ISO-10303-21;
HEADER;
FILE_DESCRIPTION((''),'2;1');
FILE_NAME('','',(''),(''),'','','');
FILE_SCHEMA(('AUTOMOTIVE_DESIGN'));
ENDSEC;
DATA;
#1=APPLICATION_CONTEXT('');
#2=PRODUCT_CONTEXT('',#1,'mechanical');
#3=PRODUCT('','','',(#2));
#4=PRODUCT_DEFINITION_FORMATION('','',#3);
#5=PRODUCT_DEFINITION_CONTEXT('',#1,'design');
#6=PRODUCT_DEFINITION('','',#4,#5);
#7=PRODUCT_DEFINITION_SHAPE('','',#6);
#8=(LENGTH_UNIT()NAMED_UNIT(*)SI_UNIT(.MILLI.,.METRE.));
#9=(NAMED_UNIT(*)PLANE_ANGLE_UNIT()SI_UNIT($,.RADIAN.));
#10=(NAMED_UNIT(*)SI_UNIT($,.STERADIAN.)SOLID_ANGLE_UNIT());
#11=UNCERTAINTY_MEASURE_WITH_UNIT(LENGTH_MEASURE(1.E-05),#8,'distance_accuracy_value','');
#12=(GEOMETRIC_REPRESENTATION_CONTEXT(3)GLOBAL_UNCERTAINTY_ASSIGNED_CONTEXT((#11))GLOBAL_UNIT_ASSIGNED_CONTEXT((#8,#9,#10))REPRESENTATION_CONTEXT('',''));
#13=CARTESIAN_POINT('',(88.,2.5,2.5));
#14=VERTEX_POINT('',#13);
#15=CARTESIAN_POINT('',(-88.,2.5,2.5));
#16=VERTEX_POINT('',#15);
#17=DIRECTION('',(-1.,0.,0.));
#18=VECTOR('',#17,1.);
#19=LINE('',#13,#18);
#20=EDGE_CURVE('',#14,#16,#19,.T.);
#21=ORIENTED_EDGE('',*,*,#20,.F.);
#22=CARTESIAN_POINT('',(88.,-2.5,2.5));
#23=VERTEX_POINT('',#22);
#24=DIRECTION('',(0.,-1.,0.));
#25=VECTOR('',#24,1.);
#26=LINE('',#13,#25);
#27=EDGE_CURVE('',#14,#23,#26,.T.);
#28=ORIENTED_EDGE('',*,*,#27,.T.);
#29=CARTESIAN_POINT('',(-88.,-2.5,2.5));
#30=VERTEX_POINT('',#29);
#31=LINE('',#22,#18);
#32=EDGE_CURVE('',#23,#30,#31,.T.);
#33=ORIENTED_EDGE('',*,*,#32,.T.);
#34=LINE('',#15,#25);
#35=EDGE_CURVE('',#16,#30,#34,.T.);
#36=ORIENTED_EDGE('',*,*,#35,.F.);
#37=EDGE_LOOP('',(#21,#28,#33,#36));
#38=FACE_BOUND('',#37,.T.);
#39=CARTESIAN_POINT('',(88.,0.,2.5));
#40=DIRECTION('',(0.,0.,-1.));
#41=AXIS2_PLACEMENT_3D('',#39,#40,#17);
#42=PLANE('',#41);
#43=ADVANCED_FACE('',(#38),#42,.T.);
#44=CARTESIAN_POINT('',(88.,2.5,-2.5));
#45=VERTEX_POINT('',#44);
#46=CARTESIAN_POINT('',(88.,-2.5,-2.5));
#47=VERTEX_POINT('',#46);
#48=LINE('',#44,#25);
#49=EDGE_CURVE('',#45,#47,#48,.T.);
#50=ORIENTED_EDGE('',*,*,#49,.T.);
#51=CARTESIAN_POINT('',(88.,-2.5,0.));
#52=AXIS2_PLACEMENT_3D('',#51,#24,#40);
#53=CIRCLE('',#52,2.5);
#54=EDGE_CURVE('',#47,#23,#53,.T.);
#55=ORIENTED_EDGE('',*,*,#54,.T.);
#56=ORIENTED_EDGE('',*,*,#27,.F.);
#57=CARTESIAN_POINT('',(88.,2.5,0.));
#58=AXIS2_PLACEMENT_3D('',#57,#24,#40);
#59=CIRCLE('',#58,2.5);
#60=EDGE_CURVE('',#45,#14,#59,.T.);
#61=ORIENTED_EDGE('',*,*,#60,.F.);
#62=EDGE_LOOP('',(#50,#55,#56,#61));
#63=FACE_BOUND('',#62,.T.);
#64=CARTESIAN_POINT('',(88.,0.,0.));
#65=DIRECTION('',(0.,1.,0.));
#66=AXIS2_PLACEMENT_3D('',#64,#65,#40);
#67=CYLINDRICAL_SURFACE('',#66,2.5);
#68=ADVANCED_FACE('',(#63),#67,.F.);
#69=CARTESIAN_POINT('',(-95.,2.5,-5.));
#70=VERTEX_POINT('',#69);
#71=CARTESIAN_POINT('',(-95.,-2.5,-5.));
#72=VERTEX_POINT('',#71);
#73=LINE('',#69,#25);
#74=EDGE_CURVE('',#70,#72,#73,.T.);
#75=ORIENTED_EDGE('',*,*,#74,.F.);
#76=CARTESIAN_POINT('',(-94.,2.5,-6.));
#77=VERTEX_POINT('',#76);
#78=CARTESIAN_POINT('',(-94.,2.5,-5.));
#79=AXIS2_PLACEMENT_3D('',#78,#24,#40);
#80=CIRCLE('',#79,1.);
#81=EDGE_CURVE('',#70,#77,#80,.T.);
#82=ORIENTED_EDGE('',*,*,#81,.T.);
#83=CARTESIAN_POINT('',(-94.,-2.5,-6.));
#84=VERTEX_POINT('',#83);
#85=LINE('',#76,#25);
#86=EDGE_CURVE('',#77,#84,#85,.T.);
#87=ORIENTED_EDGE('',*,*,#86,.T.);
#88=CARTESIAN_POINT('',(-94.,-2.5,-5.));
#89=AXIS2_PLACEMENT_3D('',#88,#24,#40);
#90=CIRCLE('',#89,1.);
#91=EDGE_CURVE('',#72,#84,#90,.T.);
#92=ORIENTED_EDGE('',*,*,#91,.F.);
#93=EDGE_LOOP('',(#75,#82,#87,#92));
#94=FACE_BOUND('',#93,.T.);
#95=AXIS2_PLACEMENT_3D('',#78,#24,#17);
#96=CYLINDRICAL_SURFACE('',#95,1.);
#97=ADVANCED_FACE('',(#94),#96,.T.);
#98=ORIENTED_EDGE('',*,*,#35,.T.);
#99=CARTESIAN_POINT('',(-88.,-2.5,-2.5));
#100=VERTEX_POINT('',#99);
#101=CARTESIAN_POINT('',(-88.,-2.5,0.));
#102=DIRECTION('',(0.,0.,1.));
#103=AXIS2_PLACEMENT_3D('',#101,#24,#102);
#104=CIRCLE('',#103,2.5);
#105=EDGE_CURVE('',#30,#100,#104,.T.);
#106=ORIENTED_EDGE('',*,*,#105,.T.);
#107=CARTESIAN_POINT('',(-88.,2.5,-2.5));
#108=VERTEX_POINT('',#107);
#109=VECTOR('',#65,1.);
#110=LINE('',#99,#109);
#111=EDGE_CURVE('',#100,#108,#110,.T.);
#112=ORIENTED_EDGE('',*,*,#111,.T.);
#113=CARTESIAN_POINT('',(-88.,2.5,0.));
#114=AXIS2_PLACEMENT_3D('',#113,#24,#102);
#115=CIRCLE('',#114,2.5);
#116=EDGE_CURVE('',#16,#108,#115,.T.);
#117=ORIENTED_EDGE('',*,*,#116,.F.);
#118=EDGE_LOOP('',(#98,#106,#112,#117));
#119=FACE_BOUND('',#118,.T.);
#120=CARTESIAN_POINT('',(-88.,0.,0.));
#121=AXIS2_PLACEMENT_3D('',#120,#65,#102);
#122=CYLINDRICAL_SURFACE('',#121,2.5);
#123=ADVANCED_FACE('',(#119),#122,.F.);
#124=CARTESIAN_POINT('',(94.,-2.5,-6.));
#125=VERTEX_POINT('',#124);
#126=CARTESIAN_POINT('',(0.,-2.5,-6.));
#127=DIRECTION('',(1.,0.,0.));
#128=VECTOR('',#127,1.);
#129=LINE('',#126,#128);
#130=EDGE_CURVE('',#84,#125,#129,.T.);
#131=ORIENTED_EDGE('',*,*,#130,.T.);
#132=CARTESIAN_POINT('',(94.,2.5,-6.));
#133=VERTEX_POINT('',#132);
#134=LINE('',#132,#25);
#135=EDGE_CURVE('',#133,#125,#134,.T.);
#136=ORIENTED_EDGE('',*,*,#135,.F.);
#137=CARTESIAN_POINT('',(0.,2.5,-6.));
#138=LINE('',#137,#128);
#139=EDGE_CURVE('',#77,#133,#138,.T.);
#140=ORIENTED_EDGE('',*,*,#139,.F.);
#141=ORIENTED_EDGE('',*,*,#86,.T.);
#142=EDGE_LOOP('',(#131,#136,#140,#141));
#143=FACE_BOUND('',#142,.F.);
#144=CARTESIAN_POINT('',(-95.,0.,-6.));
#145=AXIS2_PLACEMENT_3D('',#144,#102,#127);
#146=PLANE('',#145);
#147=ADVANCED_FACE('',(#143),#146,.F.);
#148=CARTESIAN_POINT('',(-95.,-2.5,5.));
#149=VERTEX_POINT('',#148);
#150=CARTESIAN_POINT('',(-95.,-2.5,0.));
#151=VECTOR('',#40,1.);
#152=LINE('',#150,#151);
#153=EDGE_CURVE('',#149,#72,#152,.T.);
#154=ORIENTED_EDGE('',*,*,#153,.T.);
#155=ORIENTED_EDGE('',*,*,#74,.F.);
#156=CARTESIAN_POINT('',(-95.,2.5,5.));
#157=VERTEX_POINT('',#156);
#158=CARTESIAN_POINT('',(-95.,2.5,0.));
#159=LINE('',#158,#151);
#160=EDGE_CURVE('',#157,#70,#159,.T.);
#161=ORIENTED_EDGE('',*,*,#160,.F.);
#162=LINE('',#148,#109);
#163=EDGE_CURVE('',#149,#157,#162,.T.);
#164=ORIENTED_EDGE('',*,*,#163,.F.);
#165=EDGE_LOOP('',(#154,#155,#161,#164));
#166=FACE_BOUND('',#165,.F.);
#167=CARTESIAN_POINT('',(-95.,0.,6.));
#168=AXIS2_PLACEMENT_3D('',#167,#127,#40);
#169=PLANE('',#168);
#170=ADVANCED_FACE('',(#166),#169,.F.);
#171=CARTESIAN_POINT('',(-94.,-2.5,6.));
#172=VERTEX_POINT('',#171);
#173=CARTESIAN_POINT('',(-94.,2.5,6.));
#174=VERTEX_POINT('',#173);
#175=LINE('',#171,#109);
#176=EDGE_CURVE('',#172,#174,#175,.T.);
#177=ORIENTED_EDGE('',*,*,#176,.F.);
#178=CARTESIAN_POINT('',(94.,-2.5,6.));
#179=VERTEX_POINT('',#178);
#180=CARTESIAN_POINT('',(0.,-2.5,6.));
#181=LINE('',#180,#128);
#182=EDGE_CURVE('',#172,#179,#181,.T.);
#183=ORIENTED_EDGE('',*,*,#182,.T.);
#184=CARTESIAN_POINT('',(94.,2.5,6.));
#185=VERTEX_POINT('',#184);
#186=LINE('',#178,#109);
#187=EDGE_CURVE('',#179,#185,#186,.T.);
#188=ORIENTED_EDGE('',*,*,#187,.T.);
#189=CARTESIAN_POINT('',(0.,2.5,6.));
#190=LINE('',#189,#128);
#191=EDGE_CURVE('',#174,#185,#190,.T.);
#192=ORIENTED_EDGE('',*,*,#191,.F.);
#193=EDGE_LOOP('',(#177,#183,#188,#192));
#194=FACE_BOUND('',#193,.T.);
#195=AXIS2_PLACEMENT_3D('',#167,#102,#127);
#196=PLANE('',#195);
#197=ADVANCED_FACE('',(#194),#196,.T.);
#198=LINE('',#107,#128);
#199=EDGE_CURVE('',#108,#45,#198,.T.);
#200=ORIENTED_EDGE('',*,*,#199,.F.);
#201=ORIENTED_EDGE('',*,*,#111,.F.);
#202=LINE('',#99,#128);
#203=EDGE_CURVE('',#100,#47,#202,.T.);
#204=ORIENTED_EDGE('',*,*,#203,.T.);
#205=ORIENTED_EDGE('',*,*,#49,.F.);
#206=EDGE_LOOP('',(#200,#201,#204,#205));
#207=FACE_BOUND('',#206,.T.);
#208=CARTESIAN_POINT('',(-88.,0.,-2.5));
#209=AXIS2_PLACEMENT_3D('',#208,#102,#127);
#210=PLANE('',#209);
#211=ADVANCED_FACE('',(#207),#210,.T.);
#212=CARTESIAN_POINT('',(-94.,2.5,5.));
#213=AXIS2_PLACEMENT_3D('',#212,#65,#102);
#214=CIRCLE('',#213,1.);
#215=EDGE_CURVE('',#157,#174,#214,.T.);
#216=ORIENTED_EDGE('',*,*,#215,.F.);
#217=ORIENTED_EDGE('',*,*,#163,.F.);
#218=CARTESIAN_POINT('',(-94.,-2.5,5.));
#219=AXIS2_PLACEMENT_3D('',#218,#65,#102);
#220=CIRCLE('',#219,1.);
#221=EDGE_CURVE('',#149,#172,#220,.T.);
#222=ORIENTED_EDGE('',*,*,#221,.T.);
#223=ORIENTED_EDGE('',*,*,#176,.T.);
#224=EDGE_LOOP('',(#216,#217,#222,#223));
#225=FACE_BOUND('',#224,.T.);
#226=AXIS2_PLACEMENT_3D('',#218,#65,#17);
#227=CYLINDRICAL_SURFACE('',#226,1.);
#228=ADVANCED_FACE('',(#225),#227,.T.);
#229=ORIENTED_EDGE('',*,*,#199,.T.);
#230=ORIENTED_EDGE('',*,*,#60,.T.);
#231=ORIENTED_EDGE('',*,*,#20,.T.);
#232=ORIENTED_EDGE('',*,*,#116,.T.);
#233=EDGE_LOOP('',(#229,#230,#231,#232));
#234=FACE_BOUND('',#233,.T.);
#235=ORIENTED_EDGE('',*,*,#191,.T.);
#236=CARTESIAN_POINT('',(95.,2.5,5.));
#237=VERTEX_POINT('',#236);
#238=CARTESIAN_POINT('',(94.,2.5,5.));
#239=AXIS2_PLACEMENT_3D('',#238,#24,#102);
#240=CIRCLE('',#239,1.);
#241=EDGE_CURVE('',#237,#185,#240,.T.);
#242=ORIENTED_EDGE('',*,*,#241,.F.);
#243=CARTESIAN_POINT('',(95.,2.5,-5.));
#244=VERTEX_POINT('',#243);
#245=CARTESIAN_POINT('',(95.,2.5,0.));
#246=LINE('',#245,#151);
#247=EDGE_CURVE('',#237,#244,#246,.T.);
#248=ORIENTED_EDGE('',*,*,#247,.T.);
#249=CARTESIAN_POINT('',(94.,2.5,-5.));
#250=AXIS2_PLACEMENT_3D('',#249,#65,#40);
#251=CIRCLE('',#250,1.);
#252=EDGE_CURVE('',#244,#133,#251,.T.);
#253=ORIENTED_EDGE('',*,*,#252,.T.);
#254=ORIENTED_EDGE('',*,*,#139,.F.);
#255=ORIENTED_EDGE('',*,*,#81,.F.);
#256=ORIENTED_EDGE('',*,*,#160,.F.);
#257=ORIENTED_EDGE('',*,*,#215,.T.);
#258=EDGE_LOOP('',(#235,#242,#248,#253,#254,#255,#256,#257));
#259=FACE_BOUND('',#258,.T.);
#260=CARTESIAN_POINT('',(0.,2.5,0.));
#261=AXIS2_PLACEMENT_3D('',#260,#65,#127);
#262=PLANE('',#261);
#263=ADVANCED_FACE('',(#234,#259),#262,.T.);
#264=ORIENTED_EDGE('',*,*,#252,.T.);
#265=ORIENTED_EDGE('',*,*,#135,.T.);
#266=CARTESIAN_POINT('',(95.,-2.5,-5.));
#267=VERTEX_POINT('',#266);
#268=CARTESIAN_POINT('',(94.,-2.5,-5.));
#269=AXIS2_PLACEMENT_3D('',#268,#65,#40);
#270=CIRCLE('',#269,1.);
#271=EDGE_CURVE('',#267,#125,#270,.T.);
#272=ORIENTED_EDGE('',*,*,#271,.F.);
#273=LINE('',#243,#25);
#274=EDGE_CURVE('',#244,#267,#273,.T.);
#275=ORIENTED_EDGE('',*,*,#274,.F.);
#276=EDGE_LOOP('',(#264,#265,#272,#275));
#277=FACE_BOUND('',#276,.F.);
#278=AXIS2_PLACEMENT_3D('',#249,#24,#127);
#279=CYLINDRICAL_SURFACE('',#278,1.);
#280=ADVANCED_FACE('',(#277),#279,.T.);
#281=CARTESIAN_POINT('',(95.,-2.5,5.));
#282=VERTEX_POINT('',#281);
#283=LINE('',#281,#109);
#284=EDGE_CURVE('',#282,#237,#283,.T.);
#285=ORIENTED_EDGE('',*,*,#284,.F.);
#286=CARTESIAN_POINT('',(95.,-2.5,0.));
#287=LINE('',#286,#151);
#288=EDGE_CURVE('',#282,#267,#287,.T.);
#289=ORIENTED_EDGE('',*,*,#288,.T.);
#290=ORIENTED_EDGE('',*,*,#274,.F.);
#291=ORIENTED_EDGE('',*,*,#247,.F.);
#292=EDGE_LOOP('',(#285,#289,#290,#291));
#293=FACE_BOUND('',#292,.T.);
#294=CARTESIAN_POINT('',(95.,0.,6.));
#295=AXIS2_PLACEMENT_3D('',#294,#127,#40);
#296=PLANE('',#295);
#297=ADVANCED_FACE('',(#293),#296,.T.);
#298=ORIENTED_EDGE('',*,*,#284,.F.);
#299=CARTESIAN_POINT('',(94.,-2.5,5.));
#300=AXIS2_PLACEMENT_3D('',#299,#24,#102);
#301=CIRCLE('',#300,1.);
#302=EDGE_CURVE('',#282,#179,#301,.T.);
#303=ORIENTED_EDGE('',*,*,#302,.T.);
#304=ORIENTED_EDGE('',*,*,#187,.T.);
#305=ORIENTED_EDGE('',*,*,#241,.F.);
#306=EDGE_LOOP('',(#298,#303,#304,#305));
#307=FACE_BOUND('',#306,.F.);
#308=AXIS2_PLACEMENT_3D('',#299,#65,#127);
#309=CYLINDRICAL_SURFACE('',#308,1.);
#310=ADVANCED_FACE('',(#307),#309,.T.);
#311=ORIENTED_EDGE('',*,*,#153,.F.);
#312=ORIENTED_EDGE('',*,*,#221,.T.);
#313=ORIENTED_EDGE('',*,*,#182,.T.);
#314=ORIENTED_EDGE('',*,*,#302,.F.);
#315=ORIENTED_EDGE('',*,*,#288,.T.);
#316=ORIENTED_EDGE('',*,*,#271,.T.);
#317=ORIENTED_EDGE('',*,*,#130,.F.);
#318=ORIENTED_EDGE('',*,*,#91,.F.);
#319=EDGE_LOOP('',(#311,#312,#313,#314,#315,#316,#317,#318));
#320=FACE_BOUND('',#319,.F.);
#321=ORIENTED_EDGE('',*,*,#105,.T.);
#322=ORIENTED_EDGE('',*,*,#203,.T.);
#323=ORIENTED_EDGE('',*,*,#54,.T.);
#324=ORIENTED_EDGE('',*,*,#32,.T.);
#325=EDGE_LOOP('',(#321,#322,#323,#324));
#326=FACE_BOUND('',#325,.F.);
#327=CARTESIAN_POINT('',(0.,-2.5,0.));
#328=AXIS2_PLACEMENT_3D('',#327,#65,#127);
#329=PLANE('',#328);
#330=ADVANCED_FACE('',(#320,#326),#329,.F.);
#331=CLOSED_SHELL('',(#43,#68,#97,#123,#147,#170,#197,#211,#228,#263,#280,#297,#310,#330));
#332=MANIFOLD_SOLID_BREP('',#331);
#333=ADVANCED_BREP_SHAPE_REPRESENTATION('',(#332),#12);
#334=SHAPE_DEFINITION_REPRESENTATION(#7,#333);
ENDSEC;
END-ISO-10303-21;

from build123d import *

# Parameters (mm, degrees)
ESQUISSE1_W        = 190
ESQUISSE1_H        = 12
BOSS_EXTRU_1_DEPTH = 2.5
CONG_2_R           = 1


with BuildPart() as part:
    # Esquisse1 → Boss.-Extru.1 (new body, symmetric)
    with BuildSketch(Plane(origin=(0, 0, 0), x_dir=(1, 0, 0), z_dir=(0, 1, 0))):
        Rectangle(ESQUISSE1_W, ESQUISSE1_H)
        with BuildLine():
            Line((-88, 2.5), (88, 2.5))
            ThreePointArc((88, 2.5), (90.5, 0), (88, -2.5))
            Line((88, -2.5), (-88, -2.5))
            ThreePointArc((-88, -2.5), (-90.5, 0), (-88, 2.5))
        make_face(mode=Mode.SUBTRACT)
    extrude(amount=BOSS_EXTRU_1_DEPTH, both=True)

    # Congé2
    cong_2_edges = [part.edges().sort_by_distance(p)[0] for p in [
        (95, 0, 6),
        (-95, 0, 6),
        (-95, 0, -6),
        (95, 0, -6),
    ]]
    fillet(cong_2_edges, radius=CONG_2_R)


solid = part.part
